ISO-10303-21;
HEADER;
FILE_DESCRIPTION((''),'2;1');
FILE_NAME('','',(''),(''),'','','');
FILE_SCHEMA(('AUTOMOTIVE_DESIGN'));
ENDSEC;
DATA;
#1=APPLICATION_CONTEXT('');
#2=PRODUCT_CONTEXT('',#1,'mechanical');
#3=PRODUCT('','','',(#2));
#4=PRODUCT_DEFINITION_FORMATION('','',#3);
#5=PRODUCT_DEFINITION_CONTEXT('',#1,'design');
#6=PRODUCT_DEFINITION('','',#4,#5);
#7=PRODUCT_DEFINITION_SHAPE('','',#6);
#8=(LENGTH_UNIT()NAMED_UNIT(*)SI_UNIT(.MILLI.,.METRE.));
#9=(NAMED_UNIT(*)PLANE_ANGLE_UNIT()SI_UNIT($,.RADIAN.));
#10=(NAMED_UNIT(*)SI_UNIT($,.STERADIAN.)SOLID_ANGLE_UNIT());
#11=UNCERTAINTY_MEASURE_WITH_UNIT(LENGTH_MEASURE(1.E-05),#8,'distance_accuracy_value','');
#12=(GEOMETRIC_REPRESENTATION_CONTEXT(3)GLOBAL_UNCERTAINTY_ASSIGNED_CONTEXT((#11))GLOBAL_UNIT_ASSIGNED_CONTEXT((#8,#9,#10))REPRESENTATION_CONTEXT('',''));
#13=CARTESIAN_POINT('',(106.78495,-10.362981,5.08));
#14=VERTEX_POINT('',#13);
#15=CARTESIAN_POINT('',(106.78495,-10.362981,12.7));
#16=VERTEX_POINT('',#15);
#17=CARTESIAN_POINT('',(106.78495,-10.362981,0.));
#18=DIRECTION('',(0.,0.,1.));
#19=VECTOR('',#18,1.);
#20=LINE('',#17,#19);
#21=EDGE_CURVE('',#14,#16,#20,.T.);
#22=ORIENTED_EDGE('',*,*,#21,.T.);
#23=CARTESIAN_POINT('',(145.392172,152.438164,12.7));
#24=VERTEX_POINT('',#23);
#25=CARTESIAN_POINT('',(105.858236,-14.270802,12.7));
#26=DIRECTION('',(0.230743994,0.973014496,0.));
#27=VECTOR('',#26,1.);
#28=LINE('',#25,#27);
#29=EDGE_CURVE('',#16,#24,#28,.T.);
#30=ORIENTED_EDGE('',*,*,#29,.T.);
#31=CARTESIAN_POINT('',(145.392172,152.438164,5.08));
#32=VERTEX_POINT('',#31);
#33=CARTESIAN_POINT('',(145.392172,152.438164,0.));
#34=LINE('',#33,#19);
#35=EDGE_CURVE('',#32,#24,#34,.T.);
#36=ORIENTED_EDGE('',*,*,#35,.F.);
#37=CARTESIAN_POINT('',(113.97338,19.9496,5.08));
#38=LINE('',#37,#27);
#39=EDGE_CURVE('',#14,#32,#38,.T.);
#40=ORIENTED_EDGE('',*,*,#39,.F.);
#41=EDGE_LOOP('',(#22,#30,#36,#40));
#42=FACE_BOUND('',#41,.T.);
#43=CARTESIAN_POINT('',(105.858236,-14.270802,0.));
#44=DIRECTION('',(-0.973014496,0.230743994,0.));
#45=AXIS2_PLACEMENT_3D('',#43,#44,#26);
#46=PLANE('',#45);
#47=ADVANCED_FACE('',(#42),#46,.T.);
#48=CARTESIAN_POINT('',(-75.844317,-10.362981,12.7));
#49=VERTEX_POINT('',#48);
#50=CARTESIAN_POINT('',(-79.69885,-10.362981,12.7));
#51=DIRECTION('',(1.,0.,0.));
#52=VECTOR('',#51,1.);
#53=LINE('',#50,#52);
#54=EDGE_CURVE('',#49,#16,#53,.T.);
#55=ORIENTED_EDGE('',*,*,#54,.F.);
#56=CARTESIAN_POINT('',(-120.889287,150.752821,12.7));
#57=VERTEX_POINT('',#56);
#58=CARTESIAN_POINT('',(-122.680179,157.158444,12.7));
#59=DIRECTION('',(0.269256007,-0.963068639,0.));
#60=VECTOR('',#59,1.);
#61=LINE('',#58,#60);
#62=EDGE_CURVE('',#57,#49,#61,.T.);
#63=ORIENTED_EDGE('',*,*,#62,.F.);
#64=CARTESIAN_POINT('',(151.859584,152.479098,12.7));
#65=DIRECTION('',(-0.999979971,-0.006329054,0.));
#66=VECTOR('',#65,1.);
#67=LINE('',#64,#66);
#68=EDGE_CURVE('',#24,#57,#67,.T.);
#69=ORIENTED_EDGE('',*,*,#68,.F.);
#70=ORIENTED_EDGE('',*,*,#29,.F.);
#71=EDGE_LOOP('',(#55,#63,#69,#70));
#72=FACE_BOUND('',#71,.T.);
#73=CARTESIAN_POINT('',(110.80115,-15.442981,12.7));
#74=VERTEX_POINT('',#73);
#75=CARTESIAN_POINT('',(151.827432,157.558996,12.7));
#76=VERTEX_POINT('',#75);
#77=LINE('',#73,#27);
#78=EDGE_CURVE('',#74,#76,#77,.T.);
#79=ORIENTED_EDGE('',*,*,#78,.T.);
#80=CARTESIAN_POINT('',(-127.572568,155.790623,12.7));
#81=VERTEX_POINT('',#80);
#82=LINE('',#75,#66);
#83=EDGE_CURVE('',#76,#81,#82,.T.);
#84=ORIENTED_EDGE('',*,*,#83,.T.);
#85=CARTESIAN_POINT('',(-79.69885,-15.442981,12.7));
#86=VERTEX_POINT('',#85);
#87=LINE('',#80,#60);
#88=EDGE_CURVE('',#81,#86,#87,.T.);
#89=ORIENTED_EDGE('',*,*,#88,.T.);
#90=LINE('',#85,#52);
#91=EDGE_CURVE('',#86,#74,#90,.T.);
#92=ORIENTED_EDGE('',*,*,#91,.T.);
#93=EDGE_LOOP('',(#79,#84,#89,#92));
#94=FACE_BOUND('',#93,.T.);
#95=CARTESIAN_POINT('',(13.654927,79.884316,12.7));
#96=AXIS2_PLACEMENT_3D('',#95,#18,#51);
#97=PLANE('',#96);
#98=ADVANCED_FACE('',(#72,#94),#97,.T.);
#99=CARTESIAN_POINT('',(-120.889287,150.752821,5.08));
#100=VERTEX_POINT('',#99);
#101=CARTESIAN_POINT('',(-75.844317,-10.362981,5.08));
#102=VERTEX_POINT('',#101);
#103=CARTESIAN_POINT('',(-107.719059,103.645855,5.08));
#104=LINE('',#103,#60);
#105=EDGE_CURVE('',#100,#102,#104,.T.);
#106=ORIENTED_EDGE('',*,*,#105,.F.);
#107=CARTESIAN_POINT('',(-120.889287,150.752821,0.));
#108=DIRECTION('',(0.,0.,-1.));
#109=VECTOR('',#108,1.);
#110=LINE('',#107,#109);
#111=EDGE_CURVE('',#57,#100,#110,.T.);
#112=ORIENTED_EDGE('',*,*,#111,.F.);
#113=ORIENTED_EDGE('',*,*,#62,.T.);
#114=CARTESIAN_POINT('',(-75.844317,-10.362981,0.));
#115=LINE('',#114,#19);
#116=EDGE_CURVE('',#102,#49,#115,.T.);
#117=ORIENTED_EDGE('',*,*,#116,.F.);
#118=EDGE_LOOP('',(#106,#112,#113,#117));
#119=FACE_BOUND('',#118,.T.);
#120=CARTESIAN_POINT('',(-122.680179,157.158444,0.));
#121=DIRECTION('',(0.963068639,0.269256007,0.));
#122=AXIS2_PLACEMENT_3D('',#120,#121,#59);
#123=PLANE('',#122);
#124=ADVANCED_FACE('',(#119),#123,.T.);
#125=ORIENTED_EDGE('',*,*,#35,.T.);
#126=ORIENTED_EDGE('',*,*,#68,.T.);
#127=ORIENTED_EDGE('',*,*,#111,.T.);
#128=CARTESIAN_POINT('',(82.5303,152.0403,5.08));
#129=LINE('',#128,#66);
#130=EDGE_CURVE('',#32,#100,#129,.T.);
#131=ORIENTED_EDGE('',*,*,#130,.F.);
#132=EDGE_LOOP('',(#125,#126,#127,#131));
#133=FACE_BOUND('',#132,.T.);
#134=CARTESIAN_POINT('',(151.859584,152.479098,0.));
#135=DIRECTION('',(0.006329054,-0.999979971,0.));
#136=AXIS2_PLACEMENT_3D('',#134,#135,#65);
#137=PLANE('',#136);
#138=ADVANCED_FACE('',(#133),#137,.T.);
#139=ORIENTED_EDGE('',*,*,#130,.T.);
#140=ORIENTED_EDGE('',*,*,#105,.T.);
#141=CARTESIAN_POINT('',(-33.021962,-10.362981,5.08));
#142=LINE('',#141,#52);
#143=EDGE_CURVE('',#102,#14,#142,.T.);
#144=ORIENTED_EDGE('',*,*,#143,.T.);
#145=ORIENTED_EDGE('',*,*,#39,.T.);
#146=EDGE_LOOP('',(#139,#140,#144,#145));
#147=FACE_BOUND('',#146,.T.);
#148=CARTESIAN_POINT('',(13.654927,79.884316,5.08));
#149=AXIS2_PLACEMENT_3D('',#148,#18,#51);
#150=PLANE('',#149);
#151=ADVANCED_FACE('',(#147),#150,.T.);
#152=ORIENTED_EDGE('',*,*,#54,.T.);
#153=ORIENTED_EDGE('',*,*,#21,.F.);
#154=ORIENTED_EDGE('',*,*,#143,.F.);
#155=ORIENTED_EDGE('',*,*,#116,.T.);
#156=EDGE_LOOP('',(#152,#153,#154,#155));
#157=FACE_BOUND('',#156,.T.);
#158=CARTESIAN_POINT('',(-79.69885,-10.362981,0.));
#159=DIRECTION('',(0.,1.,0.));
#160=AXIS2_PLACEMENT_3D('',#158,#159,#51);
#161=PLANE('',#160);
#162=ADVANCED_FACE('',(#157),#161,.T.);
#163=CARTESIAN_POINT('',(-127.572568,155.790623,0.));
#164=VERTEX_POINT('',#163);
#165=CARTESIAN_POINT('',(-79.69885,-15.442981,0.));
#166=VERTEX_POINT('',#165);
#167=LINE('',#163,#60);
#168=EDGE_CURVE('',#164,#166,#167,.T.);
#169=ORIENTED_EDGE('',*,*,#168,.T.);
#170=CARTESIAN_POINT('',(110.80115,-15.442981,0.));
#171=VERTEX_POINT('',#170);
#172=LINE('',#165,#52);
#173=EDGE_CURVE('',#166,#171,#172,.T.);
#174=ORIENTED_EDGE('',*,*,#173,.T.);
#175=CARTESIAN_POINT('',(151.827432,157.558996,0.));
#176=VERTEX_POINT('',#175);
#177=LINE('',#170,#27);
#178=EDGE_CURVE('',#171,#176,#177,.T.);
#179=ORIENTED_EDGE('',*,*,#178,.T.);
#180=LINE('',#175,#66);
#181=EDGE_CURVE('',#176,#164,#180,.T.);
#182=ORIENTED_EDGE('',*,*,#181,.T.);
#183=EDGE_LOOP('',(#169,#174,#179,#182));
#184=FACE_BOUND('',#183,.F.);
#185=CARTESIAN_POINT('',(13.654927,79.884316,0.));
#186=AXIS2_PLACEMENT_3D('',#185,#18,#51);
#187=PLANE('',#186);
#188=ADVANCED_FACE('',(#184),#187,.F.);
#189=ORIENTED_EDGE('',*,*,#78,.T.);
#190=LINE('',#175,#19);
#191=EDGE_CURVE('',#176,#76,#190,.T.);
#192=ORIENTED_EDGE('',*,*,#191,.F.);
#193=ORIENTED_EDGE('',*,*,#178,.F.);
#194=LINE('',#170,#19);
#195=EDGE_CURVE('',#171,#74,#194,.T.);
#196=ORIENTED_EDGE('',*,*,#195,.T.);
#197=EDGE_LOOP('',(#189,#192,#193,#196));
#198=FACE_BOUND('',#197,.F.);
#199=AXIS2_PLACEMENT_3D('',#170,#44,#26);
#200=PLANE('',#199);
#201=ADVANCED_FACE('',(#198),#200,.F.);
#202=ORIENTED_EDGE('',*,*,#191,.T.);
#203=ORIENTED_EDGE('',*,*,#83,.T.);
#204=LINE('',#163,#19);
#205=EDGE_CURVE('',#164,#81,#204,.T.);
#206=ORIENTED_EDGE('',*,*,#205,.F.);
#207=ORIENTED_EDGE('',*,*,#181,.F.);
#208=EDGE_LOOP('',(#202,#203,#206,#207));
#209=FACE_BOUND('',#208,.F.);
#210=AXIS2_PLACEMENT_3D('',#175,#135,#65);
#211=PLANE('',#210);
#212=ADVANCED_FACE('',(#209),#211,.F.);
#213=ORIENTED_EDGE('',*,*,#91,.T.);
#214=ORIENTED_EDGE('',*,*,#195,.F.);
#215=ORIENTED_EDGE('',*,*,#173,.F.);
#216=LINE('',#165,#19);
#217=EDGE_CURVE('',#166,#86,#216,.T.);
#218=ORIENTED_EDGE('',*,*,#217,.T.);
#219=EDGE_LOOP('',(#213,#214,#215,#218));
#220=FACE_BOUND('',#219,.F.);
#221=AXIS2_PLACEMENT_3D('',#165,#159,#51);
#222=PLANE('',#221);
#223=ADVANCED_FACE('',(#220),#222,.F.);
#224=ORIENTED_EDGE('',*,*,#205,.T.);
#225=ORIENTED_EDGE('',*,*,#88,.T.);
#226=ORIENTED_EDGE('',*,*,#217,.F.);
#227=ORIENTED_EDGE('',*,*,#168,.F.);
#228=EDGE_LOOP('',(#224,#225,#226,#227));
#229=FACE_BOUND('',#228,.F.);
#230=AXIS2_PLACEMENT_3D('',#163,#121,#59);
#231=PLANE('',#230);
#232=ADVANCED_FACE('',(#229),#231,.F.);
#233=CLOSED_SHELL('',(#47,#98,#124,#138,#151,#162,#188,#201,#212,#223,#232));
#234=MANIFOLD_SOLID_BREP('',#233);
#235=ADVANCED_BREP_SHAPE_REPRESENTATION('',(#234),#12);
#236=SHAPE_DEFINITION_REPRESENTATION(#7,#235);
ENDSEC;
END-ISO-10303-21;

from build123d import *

# Parameters (mm, degrees)
F1_DEPTH = 12.7
F2_T     = -5.08


with BuildPart() as f1:
    # F0 (on Top) → F1 (new body)
    with BuildSketch(Plane.XY):
        Polygon((-127.572568, 155.790623), (-79.69885, -15.442981), (110.80115, -15.442981), (151.827432, 157.558996), align=None)
    extrude(amount=F1_DEPTH)

    # F2
    f2_openings = [f1.faces().sort_by_distance(p)[0] for p in [
        (13.894392, 76.045407, 12.7),
    ]]
    offset(amount=F2_T, openings=f2_openings)


solid = f1.part
